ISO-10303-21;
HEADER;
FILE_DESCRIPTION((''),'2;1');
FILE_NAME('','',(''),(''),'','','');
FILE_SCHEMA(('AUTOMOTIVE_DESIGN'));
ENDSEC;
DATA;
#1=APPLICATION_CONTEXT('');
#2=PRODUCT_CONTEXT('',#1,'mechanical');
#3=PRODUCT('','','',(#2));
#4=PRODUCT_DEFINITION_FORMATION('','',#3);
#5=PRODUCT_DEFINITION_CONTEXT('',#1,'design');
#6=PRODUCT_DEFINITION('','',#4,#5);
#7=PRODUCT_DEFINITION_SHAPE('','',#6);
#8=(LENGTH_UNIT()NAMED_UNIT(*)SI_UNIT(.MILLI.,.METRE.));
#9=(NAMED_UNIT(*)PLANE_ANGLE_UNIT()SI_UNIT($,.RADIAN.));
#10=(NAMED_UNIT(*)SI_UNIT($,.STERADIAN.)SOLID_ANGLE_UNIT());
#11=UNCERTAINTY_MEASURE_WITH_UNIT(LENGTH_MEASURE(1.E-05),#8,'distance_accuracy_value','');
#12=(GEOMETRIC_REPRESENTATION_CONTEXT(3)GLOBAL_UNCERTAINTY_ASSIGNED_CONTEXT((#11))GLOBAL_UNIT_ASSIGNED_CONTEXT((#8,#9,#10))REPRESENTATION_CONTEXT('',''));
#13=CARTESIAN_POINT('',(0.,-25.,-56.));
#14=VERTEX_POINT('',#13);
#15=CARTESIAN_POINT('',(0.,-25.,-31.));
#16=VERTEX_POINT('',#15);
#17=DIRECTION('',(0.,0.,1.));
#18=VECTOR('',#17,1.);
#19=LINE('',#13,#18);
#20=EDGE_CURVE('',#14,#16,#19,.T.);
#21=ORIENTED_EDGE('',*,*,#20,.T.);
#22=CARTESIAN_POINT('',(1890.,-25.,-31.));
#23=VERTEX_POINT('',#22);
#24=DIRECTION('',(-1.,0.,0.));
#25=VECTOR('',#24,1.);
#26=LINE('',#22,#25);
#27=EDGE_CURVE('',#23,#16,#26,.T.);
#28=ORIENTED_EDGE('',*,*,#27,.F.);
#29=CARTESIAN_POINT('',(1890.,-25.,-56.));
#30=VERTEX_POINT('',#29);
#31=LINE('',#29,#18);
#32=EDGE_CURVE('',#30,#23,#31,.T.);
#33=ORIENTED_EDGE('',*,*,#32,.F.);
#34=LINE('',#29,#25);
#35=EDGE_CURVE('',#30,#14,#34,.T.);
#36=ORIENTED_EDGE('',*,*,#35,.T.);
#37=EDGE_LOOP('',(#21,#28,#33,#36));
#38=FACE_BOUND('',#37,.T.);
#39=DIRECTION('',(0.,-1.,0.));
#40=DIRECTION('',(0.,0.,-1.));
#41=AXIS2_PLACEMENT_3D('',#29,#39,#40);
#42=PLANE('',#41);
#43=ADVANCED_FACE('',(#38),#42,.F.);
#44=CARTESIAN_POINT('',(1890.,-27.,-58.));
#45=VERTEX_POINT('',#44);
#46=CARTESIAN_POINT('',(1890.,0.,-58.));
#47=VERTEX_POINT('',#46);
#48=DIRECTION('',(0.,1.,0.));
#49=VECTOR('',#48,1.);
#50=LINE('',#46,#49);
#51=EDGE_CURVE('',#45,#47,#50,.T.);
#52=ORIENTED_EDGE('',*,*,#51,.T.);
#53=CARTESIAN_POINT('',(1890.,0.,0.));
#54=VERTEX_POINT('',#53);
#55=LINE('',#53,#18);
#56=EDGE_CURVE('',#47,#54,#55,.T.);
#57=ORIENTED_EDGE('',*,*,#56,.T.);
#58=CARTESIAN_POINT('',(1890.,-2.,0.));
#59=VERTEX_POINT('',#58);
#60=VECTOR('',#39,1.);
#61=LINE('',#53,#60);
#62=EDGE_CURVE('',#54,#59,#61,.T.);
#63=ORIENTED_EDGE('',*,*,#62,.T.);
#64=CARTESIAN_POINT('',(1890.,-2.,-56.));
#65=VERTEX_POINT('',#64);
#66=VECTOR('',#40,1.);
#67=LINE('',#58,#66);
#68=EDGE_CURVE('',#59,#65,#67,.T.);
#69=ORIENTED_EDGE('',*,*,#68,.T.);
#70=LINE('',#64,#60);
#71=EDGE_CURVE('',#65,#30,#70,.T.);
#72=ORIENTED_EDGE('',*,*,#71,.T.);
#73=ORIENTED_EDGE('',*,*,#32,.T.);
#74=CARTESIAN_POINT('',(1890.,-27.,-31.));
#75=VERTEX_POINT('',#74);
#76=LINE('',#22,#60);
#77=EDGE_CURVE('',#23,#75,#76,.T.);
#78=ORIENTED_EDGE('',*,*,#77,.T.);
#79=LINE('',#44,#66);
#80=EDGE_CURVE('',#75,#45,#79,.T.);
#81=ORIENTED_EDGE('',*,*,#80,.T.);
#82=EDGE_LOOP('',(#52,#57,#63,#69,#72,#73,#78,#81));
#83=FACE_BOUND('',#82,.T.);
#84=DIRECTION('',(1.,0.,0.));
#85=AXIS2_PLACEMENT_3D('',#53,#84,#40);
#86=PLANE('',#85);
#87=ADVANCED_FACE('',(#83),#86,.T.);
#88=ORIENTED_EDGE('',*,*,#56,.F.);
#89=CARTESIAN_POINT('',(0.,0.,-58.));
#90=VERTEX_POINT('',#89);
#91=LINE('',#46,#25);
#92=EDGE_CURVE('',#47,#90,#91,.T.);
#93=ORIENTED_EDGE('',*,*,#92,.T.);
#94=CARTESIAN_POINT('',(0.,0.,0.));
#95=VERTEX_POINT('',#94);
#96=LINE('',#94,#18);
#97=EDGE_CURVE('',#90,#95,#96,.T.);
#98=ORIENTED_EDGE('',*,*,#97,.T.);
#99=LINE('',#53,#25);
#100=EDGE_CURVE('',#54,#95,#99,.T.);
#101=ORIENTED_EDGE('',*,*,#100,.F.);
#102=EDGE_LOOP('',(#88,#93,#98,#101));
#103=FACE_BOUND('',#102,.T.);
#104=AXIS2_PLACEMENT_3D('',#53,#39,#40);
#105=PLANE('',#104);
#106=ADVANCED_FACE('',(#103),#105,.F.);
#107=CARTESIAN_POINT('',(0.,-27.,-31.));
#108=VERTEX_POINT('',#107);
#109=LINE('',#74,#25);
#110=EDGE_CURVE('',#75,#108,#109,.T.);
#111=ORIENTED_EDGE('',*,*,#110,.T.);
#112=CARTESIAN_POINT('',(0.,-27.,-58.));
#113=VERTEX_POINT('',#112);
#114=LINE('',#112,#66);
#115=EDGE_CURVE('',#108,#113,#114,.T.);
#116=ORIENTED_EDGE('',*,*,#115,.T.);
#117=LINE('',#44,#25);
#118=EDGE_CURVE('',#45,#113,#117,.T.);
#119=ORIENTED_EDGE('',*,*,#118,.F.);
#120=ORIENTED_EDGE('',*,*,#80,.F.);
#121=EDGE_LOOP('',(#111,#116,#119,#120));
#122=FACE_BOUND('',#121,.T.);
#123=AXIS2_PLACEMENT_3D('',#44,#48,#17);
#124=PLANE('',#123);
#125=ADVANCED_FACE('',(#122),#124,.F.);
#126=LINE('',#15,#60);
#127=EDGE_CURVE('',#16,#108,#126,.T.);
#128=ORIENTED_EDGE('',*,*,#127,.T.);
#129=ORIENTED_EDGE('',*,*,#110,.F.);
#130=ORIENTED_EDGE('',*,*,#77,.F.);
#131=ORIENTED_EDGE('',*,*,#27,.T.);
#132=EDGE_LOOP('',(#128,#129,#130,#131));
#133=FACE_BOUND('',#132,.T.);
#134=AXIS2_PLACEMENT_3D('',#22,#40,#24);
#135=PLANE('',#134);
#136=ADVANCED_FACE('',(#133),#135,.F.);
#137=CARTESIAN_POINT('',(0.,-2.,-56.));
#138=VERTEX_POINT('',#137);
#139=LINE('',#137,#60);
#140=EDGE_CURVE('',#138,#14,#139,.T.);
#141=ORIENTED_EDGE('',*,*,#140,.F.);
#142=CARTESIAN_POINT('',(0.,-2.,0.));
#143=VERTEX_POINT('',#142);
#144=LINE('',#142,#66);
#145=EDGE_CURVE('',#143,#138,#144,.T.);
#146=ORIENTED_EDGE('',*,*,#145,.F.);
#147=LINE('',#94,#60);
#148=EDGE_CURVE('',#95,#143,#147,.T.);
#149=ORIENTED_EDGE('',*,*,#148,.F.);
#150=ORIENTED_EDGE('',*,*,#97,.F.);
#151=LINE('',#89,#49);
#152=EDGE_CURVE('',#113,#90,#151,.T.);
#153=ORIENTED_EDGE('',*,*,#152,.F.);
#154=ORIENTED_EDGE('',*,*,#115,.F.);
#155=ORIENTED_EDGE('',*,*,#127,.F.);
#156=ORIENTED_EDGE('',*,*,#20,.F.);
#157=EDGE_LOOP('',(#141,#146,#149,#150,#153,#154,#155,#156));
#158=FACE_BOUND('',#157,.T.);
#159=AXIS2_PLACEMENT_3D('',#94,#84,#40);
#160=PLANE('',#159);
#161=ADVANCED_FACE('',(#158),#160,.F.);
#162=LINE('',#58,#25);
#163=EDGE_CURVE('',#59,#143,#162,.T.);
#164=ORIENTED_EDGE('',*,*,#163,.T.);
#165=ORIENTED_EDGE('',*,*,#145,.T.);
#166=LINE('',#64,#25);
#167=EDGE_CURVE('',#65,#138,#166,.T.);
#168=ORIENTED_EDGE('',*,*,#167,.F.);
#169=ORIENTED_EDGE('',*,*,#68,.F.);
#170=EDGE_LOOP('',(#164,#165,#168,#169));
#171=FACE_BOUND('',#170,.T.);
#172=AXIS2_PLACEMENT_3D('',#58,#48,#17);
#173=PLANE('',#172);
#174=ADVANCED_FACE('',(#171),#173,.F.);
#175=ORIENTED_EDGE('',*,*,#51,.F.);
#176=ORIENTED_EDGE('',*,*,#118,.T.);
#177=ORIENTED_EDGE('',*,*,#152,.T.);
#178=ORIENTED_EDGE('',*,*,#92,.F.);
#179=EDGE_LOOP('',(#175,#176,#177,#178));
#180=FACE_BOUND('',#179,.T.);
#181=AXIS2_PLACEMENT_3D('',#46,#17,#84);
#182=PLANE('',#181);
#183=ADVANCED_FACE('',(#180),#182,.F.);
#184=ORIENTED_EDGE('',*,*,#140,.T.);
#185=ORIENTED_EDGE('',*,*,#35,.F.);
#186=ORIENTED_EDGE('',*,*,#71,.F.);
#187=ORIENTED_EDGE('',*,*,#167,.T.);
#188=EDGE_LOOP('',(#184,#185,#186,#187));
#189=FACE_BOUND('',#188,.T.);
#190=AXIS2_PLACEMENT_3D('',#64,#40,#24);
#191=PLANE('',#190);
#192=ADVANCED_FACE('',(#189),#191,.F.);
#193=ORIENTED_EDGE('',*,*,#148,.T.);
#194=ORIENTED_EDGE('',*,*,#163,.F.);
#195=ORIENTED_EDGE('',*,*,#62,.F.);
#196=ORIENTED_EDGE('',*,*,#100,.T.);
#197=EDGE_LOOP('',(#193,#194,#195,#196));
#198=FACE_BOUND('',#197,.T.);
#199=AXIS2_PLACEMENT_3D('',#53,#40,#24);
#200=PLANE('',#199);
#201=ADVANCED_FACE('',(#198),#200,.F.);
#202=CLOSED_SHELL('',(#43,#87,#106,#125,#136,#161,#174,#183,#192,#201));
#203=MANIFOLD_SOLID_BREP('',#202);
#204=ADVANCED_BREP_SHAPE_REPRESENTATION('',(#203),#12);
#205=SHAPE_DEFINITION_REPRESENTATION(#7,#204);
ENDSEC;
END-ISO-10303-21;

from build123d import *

# Parameters (mm, degrees)
BOSS_EXTRUDE1_DEPTH = 1890


with BuildPart() as part:
    # Sketch1 → Boss-Extrude1 (new body)
    with BuildSketch(Plane(origin=(0, 0, 0), x_dir=(0, 0, -1), z_dir=(1, 0, 0))):
        Polygon((0, 0), (58, 0), (58, -27), (31, -27), (31, -25), (56, -25), (56, -2), (0, -2), align=None)
    extrude(amount=BOSS_EXTRUDE1_DEPTH)


solid = part.part
